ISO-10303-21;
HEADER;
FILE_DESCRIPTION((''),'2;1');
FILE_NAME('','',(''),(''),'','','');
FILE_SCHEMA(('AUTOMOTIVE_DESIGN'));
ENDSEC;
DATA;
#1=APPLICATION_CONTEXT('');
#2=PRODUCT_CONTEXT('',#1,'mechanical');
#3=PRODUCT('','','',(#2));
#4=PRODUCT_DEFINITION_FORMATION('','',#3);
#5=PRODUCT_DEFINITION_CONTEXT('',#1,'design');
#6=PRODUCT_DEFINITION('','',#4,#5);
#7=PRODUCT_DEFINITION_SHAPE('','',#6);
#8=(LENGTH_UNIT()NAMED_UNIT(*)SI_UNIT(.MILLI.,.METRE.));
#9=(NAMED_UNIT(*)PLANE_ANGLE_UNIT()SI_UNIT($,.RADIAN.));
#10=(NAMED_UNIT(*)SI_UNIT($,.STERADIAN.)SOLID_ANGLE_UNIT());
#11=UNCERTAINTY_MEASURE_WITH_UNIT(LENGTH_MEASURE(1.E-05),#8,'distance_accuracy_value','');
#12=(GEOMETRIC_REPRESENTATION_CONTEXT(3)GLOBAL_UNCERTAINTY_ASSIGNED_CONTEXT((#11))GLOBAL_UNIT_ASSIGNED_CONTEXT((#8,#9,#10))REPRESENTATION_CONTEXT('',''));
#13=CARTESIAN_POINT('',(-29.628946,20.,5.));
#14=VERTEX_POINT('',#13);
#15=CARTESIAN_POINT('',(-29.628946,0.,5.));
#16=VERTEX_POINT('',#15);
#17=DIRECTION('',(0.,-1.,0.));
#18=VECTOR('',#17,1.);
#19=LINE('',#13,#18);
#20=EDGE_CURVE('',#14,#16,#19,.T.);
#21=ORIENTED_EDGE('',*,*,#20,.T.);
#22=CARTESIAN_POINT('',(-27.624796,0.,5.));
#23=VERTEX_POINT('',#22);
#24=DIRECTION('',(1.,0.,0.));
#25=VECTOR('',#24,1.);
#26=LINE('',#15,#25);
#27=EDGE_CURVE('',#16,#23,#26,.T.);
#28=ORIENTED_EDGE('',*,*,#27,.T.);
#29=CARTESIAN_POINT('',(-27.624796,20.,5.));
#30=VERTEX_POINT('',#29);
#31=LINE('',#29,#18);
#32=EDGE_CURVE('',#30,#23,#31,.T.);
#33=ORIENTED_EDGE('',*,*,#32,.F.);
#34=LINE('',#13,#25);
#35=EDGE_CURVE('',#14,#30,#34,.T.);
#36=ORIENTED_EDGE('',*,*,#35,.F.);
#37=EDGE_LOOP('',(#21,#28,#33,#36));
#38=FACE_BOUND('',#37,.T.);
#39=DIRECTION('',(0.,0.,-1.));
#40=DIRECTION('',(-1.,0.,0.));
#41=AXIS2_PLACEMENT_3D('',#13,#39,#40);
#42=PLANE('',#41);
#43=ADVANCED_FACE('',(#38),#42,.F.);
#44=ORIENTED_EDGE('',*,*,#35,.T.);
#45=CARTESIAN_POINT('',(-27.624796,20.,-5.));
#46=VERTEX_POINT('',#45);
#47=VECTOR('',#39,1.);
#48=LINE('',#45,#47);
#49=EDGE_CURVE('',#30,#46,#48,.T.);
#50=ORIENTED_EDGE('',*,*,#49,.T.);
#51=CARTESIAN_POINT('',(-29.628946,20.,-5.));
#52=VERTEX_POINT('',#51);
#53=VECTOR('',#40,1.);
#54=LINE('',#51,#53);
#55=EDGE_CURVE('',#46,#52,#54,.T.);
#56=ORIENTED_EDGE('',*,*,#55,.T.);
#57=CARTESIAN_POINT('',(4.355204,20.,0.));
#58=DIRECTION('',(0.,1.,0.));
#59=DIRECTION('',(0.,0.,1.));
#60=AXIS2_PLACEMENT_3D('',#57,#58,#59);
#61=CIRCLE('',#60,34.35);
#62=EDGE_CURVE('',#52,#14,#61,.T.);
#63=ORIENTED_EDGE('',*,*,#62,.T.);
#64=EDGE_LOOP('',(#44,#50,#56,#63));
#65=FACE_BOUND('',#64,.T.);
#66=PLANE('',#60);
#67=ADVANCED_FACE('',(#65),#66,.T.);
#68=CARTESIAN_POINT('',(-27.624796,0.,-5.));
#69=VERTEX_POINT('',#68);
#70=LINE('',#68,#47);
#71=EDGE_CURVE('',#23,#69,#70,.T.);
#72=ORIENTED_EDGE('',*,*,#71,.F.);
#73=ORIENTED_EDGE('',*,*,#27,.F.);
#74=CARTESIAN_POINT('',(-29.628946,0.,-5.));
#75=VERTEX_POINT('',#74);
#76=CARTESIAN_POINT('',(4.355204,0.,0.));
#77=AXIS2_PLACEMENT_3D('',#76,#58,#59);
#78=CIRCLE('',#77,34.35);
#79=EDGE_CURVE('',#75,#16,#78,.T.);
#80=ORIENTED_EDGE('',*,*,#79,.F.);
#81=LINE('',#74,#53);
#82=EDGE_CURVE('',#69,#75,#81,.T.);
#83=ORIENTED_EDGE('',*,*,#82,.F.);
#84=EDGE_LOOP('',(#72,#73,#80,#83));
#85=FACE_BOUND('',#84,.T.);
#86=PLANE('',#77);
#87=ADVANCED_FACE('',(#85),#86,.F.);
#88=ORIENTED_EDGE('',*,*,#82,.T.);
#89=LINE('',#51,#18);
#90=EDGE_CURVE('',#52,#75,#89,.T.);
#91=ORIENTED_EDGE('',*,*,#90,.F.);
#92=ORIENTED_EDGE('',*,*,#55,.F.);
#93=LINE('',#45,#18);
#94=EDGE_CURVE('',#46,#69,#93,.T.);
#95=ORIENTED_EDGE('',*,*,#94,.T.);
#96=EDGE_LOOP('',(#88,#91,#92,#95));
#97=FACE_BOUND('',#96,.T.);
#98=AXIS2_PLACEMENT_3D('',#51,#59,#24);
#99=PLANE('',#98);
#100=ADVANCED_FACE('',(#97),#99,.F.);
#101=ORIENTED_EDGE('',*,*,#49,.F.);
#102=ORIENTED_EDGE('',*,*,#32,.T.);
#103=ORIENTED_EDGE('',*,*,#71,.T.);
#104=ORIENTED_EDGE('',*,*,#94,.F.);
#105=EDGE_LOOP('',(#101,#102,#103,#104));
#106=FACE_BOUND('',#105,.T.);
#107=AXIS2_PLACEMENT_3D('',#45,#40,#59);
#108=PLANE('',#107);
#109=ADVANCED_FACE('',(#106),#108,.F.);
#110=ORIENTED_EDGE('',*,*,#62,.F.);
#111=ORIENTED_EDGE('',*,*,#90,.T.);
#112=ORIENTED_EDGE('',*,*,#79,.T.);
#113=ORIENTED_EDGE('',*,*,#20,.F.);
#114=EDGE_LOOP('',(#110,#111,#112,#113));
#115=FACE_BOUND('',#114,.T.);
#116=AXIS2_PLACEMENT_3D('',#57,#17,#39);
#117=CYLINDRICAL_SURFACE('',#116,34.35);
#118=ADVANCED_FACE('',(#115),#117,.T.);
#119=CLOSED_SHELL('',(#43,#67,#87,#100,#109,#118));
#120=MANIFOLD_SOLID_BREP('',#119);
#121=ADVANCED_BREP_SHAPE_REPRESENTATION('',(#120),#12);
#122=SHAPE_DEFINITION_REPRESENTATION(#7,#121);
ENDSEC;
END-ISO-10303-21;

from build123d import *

# Parameters (mm, degrees)
EXTRUDE_1_DEPTH = 20


with BuildPart() as part:
    # 草图1 → 凸台-拉伸1 (new body)
    with BuildSketch(Plane(origin=(0, 0, 0), x_dir=(1, 0, 0), z_dir=(0, 1, 0))):
        with BuildLine():
            Line((-29.628946383, 5), (-27.624795665, 5))
            Line((-27.624795665, 5), (-27.624795665, -5))
            Line((-27.624795665, -5), (-29.628946383, -5))
            ThreePointArc((-29.628946383, -5), (-29.994795665, 0), (-29.628946383, 5))
        make_face()
    extrude(amount=EXTRUDE_1_DEPTH)


solid = part.part
